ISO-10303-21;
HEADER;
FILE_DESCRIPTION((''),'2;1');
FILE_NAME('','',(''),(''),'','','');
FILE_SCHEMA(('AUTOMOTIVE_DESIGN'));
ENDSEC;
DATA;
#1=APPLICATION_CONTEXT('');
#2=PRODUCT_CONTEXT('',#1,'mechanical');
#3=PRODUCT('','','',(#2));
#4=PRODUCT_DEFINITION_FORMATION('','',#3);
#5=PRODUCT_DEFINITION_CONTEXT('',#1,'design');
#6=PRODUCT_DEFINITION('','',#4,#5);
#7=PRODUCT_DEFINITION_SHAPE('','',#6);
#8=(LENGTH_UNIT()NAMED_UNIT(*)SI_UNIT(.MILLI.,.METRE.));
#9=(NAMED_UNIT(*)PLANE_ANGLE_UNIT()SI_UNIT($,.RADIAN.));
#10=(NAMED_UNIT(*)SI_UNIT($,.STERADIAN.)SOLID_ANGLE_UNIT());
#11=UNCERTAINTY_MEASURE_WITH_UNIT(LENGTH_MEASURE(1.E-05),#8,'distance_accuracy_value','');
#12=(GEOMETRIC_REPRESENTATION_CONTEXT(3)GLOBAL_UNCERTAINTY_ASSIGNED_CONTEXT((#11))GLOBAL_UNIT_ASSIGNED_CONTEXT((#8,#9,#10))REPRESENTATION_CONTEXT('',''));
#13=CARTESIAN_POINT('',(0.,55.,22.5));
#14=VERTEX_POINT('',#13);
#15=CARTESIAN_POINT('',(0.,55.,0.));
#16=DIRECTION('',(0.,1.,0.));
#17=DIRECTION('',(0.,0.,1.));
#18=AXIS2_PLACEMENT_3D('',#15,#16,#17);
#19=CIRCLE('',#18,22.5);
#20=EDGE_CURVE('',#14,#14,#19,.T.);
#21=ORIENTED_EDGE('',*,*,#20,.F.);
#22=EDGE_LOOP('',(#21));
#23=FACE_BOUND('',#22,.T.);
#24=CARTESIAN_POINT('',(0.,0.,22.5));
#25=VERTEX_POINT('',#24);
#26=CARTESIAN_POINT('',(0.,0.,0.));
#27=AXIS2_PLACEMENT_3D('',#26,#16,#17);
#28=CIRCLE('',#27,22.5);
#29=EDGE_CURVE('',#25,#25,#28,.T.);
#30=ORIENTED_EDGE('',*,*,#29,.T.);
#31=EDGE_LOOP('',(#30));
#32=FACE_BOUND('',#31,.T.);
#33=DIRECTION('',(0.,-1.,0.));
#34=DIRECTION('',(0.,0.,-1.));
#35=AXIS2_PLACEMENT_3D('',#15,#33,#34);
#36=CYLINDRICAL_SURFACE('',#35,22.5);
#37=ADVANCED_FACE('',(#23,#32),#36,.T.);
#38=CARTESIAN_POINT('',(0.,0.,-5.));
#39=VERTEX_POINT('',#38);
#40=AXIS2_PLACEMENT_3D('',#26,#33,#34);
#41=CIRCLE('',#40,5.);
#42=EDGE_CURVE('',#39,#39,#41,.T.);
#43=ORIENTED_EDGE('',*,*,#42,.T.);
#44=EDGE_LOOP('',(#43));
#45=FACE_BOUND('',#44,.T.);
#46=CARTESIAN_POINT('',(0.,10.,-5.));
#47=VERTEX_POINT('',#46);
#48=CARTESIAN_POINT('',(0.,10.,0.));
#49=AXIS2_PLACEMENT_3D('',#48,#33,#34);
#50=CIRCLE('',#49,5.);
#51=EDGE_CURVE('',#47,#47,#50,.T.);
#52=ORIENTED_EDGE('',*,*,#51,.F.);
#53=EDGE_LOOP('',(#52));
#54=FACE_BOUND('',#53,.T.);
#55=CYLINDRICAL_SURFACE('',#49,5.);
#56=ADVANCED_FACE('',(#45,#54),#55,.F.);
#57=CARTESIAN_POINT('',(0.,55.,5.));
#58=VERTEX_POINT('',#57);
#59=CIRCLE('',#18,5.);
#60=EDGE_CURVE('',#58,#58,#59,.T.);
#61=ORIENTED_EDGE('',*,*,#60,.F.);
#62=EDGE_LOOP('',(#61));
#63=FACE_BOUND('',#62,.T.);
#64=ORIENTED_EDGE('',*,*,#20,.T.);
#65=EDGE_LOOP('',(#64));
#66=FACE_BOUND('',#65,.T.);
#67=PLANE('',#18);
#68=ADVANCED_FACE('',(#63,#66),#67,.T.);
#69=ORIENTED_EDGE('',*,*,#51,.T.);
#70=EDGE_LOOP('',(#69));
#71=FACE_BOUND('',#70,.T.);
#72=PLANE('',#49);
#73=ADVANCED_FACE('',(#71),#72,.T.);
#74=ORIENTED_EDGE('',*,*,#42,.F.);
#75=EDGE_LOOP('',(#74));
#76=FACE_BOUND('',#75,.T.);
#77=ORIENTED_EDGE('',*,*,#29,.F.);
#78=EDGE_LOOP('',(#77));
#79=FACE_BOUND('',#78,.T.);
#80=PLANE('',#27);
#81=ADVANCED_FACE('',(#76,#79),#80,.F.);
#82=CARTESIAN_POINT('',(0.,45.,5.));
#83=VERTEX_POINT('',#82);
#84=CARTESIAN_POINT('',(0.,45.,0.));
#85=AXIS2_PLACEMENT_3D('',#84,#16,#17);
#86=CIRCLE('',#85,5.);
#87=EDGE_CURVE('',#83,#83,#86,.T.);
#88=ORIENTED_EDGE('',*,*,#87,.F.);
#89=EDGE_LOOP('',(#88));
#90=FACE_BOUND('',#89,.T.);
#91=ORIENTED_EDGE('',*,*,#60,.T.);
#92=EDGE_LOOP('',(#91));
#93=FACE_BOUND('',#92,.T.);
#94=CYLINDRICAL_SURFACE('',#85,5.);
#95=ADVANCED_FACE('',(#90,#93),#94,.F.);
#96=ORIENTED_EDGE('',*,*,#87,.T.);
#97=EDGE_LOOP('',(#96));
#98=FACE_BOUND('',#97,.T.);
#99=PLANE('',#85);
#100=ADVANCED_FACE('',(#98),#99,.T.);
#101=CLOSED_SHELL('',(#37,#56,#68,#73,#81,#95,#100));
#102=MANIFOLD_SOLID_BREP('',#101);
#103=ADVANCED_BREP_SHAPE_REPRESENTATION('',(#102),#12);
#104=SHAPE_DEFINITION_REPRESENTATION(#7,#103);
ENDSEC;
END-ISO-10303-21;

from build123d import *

# Parameters (mm, degrees)
SKETCH1_R           = 22.5
BOSS_EXTRUDE1_DEPTH = 55
SKETCH2_R           = 5
CUT_EXTRUDE1_DEPTH  = 10
SKETCH3_R           = 5
CUT_EXTRUDE2_DEPTH  = 10


with BuildPart() as part:
    # Sketch1 → Boss-Extrude1 (new body)
    with BuildSketch(Plane(origin=(0, 0, 0), x_dir=(1, 0, 0), z_dir=(0, 1, 0))):
        Circle(SKETCH1_R)
    extrude(amount=BOSS_EXTRUDE1_DEPTH)

    # Sketch2 → Cut-Extrude1 (cut)
    with BuildSketch(Plane(origin=(0, 55, 0), x_dir=(1, 0, 0), z_dir=(0, 1, 0))):
        Circle(SKETCH2_R)
    extrude(amount=-CUT_EXTRUDE1_DEPTH, mode=Mode.SUBTRACT)

    # Sketch3 → Cut-Extrude2 (cut)
    with BuildSketch(Plane.XZ):
        Circle(SKETCH3_R)
    extrude(amount=-CUT_EXTRUDE2_DEPTH, mode=Mode.SUBTRACT)


solid = part.part
